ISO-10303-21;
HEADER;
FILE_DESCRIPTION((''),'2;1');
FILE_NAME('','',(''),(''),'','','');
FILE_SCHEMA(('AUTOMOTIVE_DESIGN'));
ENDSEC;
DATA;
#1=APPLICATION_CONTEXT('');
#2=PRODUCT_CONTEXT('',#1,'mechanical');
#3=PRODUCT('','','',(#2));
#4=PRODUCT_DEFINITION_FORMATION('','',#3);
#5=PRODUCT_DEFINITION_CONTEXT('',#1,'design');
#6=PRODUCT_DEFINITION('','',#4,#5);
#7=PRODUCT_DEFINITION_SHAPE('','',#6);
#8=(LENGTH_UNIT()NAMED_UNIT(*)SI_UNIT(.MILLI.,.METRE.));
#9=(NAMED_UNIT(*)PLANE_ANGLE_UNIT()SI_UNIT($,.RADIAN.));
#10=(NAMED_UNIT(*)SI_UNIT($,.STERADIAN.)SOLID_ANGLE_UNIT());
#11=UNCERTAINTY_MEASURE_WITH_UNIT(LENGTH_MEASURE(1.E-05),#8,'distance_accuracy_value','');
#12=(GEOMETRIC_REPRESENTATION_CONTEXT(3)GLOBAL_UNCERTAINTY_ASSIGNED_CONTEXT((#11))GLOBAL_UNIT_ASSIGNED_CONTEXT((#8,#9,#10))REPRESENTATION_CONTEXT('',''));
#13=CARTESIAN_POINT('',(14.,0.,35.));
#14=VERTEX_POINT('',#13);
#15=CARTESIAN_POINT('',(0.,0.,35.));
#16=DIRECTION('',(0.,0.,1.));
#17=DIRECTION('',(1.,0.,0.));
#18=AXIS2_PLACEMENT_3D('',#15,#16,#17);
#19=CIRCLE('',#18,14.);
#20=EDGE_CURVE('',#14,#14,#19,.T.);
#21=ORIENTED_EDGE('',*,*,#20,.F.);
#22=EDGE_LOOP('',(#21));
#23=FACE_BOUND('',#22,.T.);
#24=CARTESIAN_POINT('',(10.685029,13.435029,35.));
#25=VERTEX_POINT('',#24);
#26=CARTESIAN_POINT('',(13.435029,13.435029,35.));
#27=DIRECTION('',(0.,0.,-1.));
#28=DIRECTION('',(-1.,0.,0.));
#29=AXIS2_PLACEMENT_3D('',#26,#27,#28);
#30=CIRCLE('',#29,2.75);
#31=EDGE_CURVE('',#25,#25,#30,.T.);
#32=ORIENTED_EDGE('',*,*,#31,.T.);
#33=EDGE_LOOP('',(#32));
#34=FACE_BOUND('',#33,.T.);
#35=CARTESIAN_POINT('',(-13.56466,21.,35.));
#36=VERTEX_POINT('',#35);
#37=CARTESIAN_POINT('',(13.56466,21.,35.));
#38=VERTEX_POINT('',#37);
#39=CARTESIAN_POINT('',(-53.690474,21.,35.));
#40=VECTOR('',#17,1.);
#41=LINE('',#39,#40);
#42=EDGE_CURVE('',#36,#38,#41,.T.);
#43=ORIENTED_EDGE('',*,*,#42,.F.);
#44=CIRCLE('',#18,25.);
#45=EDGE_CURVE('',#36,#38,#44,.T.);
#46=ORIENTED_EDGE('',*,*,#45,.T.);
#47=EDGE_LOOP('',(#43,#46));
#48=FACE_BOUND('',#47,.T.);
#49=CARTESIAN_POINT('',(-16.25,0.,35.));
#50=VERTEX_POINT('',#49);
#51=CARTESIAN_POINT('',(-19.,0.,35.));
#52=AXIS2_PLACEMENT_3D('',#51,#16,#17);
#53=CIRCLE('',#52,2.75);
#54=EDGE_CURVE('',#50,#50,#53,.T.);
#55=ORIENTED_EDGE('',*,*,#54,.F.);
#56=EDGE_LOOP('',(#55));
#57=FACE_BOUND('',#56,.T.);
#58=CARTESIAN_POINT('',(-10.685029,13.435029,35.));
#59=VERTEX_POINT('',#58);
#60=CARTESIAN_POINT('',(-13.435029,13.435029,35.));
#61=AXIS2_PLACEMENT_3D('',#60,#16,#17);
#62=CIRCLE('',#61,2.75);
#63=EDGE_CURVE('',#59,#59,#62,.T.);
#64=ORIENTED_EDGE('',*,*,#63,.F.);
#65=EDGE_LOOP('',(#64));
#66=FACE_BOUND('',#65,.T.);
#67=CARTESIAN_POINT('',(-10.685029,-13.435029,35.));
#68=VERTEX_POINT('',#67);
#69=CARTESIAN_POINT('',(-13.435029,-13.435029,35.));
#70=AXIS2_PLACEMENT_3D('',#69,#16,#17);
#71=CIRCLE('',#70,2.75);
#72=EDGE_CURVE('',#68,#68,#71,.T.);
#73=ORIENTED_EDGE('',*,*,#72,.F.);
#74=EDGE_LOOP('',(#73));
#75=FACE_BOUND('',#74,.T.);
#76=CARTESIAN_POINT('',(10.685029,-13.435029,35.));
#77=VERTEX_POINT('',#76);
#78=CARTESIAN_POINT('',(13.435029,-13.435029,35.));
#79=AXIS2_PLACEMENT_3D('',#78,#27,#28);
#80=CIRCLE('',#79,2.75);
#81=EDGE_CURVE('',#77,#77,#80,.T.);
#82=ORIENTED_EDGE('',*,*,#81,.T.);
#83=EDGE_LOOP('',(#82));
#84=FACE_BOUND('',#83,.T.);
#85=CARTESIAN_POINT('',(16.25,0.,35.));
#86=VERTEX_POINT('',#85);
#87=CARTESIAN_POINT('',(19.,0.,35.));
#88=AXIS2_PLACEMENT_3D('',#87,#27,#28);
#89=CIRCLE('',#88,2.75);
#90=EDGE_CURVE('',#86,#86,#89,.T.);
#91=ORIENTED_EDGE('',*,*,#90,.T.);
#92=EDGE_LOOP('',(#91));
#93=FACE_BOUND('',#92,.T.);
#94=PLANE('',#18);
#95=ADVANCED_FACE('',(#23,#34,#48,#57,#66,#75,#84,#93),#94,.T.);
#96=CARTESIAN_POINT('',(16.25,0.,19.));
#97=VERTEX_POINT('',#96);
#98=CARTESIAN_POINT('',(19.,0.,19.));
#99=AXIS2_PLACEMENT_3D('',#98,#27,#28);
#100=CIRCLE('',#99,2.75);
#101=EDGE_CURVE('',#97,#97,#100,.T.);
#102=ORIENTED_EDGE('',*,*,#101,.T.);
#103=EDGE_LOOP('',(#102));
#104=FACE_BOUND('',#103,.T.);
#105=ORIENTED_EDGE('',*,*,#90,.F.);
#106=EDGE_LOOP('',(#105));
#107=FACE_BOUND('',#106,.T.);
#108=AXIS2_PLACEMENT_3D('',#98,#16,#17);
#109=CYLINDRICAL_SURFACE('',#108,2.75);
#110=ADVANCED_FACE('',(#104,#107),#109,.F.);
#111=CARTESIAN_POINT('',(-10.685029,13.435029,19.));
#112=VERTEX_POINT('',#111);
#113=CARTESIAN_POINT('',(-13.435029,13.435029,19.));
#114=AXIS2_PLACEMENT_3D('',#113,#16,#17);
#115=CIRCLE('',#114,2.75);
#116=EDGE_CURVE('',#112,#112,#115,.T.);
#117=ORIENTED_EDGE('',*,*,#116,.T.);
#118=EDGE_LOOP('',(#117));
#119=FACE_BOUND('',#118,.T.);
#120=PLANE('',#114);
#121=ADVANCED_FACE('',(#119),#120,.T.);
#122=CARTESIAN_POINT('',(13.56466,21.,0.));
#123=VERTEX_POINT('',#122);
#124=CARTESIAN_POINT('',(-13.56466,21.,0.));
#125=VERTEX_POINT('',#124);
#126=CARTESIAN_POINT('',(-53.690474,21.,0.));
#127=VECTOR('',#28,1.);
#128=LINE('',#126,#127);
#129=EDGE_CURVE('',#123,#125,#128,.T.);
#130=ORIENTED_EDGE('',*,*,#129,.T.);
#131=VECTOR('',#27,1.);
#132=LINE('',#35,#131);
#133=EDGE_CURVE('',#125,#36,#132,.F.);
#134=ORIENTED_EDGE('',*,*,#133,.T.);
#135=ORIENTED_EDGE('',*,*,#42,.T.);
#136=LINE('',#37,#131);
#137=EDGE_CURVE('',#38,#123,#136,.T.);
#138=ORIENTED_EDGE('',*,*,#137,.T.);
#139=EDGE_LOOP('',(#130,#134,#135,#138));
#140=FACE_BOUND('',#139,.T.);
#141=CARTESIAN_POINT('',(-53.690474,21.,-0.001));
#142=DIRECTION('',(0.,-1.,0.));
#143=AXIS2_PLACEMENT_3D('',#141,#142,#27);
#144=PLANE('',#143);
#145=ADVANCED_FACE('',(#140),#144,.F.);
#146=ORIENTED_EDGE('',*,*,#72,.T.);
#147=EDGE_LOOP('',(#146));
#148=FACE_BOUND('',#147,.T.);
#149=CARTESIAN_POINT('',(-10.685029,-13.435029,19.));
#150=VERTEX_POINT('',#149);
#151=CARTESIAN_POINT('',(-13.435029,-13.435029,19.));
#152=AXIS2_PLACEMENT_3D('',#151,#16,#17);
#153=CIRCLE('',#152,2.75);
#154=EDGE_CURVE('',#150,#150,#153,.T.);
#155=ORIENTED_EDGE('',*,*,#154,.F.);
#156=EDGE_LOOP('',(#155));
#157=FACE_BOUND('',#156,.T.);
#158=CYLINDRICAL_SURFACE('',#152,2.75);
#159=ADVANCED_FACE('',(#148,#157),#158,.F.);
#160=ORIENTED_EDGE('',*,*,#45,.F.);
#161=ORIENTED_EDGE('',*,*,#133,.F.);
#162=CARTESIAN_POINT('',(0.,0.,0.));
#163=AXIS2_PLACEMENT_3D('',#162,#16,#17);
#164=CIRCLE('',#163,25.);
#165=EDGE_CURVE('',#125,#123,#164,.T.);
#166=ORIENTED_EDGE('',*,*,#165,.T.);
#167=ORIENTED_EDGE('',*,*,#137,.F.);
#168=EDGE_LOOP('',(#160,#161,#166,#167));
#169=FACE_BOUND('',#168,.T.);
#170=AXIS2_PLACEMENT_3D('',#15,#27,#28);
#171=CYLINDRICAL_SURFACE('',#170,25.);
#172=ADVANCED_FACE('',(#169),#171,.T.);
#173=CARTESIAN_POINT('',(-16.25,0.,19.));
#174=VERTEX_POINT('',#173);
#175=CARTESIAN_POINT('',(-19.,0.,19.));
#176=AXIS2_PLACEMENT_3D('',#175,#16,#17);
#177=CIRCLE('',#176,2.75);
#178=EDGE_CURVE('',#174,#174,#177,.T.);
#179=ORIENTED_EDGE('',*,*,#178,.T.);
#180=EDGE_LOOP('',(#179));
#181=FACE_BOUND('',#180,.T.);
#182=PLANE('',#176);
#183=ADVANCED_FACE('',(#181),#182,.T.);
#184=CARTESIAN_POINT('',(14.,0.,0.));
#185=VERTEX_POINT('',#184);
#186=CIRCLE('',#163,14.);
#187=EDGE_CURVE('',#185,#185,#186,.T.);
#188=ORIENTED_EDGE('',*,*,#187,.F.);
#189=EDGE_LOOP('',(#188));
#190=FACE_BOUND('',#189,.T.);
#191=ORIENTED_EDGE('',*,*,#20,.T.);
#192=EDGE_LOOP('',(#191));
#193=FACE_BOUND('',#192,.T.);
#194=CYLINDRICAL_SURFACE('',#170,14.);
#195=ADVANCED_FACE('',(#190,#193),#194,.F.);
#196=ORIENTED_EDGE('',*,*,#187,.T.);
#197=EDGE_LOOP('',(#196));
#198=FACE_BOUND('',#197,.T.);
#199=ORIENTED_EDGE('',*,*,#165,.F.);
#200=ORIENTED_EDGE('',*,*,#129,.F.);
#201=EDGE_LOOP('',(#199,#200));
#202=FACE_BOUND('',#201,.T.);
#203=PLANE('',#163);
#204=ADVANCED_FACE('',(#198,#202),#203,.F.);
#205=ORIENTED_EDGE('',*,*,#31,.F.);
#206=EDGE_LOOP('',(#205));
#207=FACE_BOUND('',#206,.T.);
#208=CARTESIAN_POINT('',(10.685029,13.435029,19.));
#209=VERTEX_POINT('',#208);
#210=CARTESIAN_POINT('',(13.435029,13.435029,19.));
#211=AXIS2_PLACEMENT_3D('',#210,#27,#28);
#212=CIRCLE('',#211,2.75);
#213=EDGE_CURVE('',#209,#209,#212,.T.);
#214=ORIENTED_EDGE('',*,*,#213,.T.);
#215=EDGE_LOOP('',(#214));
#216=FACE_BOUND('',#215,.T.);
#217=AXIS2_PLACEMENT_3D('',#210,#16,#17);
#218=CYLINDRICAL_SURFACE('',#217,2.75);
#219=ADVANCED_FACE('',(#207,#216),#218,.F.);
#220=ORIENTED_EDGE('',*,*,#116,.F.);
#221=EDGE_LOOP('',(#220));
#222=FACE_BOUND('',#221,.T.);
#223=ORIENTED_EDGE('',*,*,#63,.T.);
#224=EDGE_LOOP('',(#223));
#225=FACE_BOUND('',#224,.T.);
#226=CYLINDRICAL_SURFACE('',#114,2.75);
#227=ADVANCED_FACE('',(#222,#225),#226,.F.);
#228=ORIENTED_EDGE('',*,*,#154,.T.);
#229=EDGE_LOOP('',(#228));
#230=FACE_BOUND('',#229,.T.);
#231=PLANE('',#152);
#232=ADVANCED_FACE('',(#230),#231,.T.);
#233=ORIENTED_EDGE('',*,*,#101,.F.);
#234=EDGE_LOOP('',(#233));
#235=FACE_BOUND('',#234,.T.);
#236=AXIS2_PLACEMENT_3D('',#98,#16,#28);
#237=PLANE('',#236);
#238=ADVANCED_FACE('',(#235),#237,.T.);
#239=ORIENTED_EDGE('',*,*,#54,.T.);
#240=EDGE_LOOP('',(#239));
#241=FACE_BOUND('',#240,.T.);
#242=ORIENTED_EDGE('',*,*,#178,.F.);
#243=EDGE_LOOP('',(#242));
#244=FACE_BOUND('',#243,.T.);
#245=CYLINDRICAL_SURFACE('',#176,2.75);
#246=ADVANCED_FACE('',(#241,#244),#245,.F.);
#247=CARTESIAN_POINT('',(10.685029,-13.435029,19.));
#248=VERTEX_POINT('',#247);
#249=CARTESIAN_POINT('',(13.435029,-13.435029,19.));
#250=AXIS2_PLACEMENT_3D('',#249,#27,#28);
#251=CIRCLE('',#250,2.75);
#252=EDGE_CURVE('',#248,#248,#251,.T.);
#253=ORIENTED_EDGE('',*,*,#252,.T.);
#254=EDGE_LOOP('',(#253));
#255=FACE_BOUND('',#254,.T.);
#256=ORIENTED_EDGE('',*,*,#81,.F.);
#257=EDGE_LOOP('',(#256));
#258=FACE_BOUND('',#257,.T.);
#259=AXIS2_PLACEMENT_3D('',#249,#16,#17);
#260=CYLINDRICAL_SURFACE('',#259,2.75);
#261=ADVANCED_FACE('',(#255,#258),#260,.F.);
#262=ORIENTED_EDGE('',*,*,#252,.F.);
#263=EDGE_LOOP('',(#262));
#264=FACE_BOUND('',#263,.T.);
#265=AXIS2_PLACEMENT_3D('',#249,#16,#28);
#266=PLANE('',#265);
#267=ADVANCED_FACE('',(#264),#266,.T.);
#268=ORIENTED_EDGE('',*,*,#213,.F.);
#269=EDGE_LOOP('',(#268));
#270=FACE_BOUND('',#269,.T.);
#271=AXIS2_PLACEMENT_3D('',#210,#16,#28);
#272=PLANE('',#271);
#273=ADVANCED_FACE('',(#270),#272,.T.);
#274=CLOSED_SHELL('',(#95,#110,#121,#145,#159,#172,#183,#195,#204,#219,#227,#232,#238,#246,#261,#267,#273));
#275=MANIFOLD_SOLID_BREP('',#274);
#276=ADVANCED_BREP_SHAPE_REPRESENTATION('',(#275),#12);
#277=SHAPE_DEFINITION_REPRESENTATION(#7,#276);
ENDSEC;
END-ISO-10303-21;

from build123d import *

# Parameters (mm, degrees)
SKETCH1_R           = 25
SKETCH1_R_2         = 14
BOSS_EXTRUDE1_DEPTH = 35
CUT_EXTRUDE1_REACH  = 37
SKETCH2_W           = 99.603023316
SKETCH2_H           = 15.412230785
SKETCH3_R           = 2.75
CUT_EXTRUDE2_DEPTH  = 16


with BuildPart() as part:
    # Sketch1 → Boss-Extrude1 (new body)
    with BuildSketch(Plane.XY):
        Circle(SKETCH1_R)
        Circle(SKETCH1_R_2, mode=Mode.SUBTRACT)
    extrude(amount=BOSS_EXTRUDE1_DEPTH)

    # Sketch2 → Cut-Extrude1 (cut, up to next)
    with BuildSketch(Plane.XY.offset(35), mode=Mode.PRIVATE) as cut_extrude1_sk1:
        with Locations((-3.888962486, 28.706115393)):
            Rectangle(SKETCH2_W, SKETCH2_H)
    cut_extrude1_tool1 = extrude(cut_extrude1_sk1.sketch, amount=-CUT_EXTRUDE1_REACH, mode=Mode.PRIVATE) & part.part
    add(cut_extrude1_tool1.solids().sort_by_distance((-3.888962, 28.706115, 35))[0], mode=Mode.SUBTRACT)

    # Sketch3 → Cut-Extrude2 (cut)
    with BuildSketch(Plane.XY.offset(35)):
        with Locations((-13.435028843, 13.435028843)):
            Circle(SKETCH3_R)
        with Locations((-19, 0)):
            Circle(SKETCH3_R)
        with Locations((-13.435028843, -13.435028843)):
            Circle(SKETCH3_R)
    cut_extrude2 = extrude(amount=-CUT_EXTRUDE2_DEPTH, mode=Mode.SUBTRACT)

    # Mirror1: Cut-Extrude2 across plane
    add(cut_extrude2.mirror(Plane(origin=(0, 0, 0), x_dir=(0, 0, 1), z_dir=(1, 0, 0))), mode=Mode.SUBTRACT)


solid = part.part
